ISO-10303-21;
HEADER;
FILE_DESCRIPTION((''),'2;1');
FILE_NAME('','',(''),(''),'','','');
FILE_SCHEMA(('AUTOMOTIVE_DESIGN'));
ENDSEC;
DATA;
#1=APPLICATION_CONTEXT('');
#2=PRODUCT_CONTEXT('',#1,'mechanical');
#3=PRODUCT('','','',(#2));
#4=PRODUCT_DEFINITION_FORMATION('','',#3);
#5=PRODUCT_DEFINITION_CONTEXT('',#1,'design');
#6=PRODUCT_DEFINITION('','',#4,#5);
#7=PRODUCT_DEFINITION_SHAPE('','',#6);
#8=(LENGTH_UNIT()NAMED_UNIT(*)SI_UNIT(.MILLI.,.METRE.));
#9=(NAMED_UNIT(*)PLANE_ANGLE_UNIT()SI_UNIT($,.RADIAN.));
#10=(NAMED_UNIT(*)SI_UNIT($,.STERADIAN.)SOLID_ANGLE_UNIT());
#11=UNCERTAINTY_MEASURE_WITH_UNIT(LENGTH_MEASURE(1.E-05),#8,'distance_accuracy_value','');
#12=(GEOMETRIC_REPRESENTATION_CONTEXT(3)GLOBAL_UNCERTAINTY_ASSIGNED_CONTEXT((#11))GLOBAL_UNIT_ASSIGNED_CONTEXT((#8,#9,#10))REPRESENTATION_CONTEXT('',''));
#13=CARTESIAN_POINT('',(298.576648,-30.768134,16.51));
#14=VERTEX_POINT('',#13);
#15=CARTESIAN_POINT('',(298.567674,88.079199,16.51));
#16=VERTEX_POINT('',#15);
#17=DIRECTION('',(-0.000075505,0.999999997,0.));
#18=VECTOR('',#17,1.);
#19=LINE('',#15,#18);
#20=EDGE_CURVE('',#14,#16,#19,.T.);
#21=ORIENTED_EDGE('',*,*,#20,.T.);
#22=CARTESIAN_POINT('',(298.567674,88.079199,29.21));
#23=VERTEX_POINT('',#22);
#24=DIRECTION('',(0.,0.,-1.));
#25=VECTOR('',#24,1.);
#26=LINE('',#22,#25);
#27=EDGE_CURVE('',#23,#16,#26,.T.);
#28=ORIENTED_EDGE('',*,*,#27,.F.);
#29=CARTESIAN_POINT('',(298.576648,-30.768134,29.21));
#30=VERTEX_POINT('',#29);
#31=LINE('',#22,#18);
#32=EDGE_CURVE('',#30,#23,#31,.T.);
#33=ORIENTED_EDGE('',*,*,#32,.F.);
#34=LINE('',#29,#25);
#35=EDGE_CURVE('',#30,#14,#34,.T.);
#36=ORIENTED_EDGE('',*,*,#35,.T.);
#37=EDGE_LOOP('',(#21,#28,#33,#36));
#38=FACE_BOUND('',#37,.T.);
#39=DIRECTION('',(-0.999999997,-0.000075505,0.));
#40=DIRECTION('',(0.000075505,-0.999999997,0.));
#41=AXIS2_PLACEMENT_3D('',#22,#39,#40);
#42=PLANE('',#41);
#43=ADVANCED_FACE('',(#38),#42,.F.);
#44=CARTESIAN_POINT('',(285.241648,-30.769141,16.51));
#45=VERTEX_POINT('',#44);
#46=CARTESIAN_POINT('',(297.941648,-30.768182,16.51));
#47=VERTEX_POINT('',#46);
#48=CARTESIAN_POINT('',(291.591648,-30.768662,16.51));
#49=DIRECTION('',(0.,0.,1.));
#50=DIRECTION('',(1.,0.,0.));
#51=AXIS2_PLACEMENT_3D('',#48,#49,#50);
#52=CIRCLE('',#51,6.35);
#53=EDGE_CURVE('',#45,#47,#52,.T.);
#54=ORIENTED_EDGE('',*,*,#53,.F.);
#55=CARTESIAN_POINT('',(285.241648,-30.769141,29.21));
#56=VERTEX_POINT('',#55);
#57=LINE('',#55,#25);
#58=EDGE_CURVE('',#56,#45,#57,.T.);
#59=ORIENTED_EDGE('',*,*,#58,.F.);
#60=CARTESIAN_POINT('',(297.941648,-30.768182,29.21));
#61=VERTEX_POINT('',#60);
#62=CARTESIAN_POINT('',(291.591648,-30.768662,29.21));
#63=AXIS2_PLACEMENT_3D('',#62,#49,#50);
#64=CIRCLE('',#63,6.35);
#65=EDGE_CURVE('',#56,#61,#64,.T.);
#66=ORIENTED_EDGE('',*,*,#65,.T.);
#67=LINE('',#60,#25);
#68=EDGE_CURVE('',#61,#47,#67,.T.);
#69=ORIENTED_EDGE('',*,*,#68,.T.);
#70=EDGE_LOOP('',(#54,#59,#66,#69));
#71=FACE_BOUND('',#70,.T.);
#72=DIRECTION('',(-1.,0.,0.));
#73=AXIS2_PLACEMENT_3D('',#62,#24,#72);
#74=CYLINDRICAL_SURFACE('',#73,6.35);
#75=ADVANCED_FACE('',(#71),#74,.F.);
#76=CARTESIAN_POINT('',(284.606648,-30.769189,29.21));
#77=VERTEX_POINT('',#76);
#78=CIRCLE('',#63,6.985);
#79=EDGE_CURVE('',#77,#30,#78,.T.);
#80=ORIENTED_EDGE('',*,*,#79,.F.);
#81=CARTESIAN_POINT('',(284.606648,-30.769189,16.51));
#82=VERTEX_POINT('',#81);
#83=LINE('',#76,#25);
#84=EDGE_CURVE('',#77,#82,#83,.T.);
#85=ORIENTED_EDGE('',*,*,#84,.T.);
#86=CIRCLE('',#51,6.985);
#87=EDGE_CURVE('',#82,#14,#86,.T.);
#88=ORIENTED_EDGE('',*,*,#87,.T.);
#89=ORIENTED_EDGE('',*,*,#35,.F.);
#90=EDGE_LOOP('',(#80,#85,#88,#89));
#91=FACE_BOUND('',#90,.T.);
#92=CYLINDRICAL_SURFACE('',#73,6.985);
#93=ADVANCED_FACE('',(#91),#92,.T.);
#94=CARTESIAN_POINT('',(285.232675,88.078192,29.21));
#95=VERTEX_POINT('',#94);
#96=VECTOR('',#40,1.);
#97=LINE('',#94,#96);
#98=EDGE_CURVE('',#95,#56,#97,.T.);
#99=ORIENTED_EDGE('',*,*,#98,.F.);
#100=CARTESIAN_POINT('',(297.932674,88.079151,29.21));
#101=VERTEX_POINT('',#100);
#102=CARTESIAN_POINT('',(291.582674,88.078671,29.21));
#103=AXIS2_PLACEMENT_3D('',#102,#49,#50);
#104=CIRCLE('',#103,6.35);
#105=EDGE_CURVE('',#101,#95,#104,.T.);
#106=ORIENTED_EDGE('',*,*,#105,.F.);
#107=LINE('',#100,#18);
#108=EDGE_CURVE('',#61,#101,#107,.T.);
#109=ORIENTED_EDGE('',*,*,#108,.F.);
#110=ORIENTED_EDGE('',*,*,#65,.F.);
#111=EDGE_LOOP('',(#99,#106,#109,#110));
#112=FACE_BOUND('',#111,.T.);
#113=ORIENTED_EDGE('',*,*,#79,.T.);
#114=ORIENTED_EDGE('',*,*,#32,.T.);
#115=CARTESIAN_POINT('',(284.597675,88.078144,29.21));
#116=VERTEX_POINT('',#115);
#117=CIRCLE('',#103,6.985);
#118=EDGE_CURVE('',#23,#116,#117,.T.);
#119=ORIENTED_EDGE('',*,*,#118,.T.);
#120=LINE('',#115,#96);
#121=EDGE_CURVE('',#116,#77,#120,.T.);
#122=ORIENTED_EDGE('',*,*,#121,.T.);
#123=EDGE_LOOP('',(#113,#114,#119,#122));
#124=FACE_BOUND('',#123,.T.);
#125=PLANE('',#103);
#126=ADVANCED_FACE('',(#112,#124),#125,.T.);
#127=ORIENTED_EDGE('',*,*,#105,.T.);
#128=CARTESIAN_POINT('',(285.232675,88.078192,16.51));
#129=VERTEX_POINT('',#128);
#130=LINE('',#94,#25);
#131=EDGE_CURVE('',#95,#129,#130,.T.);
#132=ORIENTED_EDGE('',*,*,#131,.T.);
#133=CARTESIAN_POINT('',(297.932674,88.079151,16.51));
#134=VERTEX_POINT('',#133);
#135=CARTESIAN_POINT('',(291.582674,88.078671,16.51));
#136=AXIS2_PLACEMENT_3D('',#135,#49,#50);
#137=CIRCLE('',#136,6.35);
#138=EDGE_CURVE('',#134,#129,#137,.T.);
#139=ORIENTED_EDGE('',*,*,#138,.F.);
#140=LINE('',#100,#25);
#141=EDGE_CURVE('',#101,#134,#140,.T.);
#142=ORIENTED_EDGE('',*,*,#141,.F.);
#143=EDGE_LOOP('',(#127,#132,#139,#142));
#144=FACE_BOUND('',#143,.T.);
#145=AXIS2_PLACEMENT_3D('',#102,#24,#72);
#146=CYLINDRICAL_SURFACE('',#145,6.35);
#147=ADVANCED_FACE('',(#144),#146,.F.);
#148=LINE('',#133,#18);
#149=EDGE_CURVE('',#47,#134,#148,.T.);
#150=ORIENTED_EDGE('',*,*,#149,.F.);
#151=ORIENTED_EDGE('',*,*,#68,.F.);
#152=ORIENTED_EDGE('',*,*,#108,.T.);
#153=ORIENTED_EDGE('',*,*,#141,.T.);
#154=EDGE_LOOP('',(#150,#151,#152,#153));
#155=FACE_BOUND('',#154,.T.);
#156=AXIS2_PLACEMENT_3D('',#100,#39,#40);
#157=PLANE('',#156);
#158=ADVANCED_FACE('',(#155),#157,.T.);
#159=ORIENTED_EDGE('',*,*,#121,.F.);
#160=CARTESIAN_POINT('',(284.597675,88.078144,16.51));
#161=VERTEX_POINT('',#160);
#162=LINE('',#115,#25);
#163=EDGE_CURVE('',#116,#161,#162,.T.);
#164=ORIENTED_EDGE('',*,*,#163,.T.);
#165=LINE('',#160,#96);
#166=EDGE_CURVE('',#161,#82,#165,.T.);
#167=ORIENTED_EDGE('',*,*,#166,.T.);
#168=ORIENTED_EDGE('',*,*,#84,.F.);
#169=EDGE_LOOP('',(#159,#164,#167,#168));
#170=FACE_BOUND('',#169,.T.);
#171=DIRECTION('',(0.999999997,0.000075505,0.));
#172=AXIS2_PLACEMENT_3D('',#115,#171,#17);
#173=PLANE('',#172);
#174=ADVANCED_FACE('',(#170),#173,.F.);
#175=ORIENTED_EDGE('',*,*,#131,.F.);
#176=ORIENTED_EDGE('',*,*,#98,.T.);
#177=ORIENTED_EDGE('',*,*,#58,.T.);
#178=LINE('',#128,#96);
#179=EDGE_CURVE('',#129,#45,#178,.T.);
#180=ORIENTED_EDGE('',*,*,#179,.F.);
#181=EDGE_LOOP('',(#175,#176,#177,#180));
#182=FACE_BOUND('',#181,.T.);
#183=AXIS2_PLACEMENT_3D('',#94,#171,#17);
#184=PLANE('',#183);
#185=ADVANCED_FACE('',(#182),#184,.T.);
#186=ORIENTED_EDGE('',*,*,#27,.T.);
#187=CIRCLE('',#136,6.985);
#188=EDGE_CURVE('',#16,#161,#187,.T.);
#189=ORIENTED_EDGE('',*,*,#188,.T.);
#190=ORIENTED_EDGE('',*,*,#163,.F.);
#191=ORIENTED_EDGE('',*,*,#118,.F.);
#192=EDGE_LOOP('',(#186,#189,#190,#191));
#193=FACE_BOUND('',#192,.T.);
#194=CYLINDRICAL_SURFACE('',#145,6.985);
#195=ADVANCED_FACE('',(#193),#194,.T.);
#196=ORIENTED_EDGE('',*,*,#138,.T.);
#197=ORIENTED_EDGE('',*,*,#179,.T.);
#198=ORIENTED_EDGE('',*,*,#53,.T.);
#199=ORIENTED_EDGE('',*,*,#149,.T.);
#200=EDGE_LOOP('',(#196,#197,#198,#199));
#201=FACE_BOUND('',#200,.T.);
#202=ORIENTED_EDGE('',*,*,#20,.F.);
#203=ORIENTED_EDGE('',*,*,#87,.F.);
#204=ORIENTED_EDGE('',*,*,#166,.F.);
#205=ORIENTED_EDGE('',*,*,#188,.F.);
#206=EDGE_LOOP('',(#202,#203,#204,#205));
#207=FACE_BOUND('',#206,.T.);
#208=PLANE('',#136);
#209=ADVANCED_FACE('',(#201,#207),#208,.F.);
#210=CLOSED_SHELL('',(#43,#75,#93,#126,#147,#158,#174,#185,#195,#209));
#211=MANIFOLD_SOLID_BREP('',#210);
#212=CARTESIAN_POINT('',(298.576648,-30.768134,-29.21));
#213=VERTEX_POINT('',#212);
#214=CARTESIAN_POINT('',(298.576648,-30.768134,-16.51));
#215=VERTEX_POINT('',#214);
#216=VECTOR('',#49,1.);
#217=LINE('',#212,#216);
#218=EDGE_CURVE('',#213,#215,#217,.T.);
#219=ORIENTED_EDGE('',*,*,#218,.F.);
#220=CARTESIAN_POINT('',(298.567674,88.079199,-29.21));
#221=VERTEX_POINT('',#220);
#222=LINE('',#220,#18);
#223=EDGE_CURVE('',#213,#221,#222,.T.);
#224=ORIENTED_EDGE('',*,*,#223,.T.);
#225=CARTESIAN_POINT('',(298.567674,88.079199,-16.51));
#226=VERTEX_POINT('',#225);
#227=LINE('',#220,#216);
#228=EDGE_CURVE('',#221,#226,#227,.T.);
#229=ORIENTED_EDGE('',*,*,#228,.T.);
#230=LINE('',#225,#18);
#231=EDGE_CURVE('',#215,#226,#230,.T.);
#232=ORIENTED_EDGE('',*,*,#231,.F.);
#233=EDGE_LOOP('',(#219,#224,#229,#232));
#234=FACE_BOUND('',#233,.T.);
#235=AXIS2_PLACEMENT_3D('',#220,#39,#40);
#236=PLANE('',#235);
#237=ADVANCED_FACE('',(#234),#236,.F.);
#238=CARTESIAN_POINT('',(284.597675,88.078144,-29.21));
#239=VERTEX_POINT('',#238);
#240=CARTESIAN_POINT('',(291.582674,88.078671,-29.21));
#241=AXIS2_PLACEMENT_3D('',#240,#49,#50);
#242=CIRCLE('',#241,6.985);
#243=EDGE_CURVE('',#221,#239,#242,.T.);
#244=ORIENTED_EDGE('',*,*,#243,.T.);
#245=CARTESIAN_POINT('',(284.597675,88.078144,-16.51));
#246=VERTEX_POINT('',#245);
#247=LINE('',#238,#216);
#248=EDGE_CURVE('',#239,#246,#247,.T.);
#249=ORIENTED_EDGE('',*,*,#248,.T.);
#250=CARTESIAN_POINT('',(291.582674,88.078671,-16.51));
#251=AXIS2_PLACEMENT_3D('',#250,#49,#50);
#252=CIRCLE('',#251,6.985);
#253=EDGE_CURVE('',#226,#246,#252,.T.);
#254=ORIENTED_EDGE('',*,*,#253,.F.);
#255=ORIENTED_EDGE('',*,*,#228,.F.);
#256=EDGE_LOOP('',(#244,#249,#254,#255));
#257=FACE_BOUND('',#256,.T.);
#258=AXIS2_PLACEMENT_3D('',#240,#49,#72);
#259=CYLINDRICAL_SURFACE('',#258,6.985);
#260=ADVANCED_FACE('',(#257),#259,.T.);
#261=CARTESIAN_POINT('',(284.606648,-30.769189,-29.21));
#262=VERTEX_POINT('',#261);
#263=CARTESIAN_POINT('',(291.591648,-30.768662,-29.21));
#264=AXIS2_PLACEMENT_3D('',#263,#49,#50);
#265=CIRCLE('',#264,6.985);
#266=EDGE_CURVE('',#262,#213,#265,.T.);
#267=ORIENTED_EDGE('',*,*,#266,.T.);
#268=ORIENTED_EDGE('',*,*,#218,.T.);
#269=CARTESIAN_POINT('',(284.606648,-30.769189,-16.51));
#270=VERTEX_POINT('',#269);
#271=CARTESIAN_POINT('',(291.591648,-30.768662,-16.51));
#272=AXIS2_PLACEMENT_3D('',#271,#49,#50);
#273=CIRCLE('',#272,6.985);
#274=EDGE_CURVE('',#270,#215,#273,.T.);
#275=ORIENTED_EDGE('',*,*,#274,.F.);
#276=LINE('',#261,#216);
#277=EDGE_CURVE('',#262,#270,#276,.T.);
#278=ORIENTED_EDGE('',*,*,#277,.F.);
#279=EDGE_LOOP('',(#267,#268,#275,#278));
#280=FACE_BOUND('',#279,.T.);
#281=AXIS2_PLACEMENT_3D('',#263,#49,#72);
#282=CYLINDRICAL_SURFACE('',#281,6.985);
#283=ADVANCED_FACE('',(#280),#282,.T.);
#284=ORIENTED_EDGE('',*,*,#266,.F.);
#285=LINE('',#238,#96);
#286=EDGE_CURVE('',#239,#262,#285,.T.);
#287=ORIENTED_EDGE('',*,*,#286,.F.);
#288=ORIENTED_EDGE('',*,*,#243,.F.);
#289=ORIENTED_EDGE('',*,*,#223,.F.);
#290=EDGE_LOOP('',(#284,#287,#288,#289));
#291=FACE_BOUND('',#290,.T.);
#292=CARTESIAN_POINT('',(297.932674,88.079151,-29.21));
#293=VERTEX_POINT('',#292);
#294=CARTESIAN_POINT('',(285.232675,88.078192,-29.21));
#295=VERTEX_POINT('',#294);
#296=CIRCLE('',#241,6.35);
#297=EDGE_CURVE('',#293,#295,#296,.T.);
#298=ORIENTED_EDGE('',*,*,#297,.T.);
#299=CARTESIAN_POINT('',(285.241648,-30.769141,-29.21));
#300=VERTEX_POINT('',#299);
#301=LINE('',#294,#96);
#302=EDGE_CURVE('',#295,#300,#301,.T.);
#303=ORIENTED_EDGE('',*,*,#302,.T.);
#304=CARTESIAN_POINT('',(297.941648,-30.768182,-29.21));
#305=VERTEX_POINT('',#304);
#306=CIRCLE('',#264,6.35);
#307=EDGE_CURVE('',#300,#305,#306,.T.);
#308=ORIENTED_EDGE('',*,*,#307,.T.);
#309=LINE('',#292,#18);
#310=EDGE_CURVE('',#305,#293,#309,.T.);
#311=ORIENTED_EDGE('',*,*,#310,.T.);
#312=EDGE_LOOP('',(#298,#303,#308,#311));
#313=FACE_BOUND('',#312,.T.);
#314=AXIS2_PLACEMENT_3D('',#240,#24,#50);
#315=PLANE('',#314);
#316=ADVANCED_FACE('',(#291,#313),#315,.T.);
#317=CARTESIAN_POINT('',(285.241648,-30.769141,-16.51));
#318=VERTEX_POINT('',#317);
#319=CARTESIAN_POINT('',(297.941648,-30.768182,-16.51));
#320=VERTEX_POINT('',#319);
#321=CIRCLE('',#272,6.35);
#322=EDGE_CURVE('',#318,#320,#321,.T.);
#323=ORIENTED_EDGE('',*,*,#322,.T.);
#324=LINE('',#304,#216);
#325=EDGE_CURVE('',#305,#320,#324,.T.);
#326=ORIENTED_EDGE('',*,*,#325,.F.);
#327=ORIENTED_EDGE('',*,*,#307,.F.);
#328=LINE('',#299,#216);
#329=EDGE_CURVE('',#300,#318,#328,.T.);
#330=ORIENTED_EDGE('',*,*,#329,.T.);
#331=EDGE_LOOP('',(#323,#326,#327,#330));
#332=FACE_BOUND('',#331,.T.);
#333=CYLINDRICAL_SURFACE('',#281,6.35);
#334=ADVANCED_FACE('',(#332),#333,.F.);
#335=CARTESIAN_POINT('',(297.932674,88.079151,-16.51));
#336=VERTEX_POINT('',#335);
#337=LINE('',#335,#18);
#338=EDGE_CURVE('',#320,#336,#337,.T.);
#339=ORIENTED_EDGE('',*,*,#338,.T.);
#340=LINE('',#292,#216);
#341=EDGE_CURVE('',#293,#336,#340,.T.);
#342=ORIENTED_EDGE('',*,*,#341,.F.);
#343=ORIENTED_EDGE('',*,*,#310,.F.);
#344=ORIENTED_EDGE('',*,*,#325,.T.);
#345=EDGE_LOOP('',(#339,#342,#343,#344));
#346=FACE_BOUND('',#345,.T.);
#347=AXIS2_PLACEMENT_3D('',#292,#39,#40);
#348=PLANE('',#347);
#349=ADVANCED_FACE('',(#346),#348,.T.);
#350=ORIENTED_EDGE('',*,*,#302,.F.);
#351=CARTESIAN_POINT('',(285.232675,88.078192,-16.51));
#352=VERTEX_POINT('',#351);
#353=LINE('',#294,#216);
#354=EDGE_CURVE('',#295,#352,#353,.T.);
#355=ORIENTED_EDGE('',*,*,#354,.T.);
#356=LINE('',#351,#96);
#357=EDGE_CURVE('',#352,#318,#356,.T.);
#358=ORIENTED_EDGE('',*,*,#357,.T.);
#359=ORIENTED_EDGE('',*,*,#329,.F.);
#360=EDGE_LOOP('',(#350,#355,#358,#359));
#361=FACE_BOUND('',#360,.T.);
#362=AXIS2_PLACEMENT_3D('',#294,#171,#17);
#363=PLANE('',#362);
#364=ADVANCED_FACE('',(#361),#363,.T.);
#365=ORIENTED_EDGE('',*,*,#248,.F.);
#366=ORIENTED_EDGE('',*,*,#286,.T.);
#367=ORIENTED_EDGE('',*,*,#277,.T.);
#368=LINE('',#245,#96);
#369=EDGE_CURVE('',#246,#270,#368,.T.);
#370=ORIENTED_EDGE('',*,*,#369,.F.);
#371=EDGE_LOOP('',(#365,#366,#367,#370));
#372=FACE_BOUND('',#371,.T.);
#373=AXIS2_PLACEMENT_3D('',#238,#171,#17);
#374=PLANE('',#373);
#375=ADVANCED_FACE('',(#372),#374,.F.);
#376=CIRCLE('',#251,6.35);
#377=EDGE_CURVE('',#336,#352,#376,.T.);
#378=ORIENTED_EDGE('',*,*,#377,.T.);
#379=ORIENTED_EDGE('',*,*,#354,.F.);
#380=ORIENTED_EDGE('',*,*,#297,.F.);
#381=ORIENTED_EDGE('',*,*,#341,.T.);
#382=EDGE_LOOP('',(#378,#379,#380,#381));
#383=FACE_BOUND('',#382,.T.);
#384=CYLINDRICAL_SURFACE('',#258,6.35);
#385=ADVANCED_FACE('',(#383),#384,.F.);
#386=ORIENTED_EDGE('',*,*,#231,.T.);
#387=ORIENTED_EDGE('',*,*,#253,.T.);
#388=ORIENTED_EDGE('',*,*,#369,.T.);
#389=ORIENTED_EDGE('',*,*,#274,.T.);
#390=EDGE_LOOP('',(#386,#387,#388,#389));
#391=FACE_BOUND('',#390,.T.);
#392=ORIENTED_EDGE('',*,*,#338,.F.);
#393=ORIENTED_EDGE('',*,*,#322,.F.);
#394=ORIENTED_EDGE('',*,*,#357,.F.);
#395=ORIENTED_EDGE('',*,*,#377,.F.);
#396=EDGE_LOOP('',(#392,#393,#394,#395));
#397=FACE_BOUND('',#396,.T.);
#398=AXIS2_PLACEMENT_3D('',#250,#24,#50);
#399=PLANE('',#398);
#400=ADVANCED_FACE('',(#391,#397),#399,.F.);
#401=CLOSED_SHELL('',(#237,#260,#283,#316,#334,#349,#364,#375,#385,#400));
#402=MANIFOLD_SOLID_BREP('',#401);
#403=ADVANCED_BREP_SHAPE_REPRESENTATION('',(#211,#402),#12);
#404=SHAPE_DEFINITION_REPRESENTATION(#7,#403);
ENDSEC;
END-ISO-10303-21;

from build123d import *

# Parameters (mm, degrees)
BOSS_EXTRUDE1_START = 16.51
BOSS_EXTRUDE1_DEPTH = 12.7


with BuildPart() as part:
    # Sketch1 → Boss-Extrude1 (new body)
    with BuildSketch(Plane.XY.offset(BOSS_EXTRUDE1_START)):
        with BuildLine():
            Line((284.597674513, 88.078143699), (284.606648072, -30.769188909))
            ThreePointArc((284.606648072, -30.769188909), (291.592175454, -37.753661487), (298.576648032, -30.768134106))
            Line((298.576648032, -30.768134106), (298.567674474, 88.079198502))
            ThreePointArc((298.567674474, 88.079198502), (291.582147092, 95.06367108), (284.597674513, 88.078143699))
        make_face()
        with BuildLine():
            Line((285.232674512, 88.078191644), (285.24164807, -30.769140964))
            ThreePointArc((285.24164807, -30.769140964), (291.592127508, -37.118661489), (297.941648034, -30.768182051))
            Line((297.941648034, -30.768182051), (297.932674475, 88.079150557))
            ThreePointArc((297.932674475, 88.079150557), (291.582195037, 94.428671082), (285.232674512, 88.078191644))
        make_face(mode=Mode.SUBTRACT)
    extrude(amount=BOSS_EXTRUDE1_DEPTH)


with BuildPart() as body_2:
    # Mirror2: mirrored copy
    add(part.part.mirror(Plane.XY))


solid = Compound([part.part, body_2.part])
